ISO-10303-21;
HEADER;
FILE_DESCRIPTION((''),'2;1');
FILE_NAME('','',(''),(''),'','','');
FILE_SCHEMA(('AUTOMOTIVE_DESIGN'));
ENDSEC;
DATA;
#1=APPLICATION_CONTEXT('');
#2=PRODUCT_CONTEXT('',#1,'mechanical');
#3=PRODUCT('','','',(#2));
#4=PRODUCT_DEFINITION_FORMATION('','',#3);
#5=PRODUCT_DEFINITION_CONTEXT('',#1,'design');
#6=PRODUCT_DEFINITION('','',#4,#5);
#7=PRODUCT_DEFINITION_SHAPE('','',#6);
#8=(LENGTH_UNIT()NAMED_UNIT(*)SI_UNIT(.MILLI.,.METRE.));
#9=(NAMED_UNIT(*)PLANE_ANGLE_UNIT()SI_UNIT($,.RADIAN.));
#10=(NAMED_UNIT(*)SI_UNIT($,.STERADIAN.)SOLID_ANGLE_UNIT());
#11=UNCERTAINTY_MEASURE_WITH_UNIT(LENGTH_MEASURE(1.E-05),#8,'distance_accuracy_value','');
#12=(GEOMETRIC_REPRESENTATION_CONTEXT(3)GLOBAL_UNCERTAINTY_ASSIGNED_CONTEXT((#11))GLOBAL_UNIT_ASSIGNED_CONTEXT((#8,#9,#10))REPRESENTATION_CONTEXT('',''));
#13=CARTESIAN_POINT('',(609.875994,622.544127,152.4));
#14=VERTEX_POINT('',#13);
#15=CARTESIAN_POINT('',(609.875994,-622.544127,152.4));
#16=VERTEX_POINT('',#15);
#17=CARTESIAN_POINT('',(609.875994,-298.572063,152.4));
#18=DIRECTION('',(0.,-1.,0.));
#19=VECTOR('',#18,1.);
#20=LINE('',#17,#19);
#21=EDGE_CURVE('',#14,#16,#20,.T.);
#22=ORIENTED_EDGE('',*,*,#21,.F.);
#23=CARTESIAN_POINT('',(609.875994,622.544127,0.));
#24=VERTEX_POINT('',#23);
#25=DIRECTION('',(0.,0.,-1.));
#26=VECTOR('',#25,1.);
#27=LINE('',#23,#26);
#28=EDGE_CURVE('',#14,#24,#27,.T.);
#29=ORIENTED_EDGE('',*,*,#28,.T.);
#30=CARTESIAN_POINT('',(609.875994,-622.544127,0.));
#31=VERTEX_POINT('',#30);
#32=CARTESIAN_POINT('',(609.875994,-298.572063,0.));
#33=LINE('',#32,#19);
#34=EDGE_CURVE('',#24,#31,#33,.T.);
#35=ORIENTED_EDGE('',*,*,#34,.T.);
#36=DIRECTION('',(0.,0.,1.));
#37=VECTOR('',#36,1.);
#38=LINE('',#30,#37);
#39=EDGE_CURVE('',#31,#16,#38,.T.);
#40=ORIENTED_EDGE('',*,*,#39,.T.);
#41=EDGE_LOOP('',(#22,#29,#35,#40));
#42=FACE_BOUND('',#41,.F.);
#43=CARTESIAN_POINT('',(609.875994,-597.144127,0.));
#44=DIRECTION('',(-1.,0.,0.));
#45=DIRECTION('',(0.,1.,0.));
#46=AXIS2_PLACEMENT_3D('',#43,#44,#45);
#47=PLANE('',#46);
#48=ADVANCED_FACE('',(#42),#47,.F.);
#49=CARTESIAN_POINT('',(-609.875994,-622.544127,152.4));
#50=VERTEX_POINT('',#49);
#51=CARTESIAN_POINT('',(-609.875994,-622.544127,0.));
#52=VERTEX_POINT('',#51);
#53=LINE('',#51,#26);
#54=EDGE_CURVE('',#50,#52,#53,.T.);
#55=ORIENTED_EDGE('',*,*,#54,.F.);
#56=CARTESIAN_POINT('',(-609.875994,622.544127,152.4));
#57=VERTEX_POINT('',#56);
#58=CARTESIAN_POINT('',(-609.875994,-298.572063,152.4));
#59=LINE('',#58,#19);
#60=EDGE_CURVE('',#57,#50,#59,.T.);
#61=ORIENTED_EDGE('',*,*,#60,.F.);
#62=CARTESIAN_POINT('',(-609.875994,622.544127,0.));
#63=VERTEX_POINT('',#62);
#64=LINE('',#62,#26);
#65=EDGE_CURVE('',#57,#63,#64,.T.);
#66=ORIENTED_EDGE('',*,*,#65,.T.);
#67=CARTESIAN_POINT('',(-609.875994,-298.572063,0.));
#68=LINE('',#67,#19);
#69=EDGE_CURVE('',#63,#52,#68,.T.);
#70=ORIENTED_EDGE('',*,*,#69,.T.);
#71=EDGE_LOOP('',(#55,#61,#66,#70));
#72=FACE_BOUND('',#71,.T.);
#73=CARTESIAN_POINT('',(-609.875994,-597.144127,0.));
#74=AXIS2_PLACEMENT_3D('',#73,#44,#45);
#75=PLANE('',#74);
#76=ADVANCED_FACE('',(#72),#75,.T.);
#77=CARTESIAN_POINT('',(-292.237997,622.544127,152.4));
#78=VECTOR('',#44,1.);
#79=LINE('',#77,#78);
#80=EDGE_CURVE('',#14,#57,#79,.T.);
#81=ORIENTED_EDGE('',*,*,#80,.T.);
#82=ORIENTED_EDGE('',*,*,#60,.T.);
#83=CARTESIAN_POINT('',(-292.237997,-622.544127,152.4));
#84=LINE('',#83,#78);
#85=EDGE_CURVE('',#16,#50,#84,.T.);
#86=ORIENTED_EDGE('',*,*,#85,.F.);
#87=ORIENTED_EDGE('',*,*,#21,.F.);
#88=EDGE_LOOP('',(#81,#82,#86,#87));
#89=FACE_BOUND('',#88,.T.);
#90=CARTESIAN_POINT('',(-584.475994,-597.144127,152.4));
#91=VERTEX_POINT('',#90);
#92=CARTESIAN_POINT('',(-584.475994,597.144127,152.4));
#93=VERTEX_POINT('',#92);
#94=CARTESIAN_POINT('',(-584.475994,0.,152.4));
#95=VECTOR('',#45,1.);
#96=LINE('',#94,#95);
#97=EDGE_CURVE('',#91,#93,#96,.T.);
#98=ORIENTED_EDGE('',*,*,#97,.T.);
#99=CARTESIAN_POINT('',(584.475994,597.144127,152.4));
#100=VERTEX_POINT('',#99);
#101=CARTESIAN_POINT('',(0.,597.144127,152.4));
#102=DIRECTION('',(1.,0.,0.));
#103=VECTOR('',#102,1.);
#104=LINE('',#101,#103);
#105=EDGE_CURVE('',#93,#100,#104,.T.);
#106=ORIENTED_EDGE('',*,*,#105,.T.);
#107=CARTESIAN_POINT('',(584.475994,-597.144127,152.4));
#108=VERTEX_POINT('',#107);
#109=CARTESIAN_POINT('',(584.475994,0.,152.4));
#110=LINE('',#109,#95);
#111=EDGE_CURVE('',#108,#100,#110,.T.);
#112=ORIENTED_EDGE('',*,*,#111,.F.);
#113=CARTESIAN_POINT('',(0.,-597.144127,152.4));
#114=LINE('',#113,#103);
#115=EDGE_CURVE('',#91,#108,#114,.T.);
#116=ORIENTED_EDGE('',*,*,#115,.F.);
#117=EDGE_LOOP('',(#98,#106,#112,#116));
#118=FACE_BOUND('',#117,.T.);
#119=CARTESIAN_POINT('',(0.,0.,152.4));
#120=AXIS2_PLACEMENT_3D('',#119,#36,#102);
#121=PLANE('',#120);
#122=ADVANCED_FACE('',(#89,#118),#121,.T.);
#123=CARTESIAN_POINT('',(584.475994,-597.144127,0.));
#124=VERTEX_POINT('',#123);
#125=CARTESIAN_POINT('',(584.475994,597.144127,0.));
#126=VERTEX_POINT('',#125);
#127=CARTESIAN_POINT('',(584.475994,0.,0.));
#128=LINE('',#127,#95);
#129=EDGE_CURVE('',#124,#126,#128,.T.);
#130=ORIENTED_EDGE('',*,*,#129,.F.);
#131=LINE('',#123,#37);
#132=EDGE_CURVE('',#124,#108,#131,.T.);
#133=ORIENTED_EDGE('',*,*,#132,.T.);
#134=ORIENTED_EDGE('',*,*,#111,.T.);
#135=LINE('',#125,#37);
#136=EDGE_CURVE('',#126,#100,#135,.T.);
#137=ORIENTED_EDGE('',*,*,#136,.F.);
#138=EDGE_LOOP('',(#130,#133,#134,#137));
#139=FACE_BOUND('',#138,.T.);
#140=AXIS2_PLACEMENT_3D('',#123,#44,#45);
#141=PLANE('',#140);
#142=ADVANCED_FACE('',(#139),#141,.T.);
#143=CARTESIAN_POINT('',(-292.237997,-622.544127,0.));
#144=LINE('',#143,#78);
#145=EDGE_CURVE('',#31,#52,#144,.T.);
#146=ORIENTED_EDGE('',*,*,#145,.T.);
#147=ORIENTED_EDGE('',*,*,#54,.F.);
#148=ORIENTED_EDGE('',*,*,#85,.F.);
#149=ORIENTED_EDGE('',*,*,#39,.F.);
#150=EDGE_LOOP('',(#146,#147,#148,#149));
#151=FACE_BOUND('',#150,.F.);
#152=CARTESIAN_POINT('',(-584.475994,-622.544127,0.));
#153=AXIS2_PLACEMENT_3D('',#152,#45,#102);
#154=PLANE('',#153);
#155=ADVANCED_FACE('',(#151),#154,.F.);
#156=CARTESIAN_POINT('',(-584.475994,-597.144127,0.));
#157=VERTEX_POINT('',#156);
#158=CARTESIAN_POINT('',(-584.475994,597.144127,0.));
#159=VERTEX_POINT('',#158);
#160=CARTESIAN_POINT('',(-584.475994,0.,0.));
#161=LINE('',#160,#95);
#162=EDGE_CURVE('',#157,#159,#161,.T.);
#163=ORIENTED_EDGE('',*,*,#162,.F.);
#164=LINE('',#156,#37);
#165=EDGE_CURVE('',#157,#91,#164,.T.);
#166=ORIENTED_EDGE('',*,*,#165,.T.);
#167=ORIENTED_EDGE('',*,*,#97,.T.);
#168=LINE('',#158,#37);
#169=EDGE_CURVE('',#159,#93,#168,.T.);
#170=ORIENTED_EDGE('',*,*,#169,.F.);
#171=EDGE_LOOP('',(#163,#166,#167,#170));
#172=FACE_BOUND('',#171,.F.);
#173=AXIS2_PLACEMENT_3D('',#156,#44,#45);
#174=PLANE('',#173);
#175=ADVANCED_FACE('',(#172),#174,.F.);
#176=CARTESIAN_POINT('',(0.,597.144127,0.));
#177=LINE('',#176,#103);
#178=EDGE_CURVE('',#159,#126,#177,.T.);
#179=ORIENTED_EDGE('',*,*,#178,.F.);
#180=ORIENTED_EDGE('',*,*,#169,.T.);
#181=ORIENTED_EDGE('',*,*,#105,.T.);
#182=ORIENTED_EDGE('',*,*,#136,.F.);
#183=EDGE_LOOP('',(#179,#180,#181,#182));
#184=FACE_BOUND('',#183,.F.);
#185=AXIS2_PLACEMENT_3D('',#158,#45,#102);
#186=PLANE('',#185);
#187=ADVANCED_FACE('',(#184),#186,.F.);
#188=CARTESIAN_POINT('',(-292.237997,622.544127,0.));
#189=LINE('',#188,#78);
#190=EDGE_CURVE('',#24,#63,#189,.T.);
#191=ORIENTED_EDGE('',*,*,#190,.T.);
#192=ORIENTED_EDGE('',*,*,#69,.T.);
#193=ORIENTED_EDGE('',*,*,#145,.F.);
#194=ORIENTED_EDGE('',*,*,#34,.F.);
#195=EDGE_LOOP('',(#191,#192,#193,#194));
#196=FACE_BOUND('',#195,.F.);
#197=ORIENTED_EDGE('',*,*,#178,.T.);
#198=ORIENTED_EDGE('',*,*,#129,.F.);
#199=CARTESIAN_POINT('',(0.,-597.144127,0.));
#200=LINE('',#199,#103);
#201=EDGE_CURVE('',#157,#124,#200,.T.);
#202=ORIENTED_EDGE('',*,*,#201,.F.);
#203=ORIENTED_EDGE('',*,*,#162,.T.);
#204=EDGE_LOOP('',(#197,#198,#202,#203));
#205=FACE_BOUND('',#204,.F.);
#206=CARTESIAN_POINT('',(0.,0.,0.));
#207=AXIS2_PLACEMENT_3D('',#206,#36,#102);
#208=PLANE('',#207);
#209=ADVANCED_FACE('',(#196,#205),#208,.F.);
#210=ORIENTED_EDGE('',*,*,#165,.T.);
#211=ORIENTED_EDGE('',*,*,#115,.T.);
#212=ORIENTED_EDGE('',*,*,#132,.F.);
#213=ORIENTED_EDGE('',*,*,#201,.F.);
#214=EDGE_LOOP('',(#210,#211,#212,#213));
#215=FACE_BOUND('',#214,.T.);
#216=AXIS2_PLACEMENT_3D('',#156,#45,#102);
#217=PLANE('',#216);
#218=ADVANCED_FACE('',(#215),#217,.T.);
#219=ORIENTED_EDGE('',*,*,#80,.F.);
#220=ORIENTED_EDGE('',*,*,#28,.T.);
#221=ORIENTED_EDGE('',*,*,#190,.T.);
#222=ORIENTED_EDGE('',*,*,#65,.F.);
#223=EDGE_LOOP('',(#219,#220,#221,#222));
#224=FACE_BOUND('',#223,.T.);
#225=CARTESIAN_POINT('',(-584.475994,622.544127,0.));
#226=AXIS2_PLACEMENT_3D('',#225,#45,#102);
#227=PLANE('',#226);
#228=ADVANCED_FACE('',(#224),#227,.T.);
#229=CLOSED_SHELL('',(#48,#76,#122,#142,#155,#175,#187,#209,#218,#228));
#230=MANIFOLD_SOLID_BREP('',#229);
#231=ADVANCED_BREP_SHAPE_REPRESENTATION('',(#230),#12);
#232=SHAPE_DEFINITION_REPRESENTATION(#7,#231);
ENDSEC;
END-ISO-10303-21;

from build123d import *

# Parameters (mm, degrees)
F0_W     = 1168.9519882202
F0_H     = 1194.2882537842
F1_DEPTH = 152.4
F2_T     = 25.4


with BuildPart() as f1:
    # F0 (on Top) → F1 (new body)
    with BuildSketch(Plane.XY):
        Rectangle(F0_W, F0_H)
    extrude(amount=F1_DEPTH)

    # F2
    f2_openings = [f1.faces().sort_by_distance(p)[0] for p in [
        (0, 0, 0),
        (0, 0, 152.4),
    ]]
    offset(amount=F2_T, openings=f2_openings, kind=Kind.INTERSECTION)


solid = f1.part
